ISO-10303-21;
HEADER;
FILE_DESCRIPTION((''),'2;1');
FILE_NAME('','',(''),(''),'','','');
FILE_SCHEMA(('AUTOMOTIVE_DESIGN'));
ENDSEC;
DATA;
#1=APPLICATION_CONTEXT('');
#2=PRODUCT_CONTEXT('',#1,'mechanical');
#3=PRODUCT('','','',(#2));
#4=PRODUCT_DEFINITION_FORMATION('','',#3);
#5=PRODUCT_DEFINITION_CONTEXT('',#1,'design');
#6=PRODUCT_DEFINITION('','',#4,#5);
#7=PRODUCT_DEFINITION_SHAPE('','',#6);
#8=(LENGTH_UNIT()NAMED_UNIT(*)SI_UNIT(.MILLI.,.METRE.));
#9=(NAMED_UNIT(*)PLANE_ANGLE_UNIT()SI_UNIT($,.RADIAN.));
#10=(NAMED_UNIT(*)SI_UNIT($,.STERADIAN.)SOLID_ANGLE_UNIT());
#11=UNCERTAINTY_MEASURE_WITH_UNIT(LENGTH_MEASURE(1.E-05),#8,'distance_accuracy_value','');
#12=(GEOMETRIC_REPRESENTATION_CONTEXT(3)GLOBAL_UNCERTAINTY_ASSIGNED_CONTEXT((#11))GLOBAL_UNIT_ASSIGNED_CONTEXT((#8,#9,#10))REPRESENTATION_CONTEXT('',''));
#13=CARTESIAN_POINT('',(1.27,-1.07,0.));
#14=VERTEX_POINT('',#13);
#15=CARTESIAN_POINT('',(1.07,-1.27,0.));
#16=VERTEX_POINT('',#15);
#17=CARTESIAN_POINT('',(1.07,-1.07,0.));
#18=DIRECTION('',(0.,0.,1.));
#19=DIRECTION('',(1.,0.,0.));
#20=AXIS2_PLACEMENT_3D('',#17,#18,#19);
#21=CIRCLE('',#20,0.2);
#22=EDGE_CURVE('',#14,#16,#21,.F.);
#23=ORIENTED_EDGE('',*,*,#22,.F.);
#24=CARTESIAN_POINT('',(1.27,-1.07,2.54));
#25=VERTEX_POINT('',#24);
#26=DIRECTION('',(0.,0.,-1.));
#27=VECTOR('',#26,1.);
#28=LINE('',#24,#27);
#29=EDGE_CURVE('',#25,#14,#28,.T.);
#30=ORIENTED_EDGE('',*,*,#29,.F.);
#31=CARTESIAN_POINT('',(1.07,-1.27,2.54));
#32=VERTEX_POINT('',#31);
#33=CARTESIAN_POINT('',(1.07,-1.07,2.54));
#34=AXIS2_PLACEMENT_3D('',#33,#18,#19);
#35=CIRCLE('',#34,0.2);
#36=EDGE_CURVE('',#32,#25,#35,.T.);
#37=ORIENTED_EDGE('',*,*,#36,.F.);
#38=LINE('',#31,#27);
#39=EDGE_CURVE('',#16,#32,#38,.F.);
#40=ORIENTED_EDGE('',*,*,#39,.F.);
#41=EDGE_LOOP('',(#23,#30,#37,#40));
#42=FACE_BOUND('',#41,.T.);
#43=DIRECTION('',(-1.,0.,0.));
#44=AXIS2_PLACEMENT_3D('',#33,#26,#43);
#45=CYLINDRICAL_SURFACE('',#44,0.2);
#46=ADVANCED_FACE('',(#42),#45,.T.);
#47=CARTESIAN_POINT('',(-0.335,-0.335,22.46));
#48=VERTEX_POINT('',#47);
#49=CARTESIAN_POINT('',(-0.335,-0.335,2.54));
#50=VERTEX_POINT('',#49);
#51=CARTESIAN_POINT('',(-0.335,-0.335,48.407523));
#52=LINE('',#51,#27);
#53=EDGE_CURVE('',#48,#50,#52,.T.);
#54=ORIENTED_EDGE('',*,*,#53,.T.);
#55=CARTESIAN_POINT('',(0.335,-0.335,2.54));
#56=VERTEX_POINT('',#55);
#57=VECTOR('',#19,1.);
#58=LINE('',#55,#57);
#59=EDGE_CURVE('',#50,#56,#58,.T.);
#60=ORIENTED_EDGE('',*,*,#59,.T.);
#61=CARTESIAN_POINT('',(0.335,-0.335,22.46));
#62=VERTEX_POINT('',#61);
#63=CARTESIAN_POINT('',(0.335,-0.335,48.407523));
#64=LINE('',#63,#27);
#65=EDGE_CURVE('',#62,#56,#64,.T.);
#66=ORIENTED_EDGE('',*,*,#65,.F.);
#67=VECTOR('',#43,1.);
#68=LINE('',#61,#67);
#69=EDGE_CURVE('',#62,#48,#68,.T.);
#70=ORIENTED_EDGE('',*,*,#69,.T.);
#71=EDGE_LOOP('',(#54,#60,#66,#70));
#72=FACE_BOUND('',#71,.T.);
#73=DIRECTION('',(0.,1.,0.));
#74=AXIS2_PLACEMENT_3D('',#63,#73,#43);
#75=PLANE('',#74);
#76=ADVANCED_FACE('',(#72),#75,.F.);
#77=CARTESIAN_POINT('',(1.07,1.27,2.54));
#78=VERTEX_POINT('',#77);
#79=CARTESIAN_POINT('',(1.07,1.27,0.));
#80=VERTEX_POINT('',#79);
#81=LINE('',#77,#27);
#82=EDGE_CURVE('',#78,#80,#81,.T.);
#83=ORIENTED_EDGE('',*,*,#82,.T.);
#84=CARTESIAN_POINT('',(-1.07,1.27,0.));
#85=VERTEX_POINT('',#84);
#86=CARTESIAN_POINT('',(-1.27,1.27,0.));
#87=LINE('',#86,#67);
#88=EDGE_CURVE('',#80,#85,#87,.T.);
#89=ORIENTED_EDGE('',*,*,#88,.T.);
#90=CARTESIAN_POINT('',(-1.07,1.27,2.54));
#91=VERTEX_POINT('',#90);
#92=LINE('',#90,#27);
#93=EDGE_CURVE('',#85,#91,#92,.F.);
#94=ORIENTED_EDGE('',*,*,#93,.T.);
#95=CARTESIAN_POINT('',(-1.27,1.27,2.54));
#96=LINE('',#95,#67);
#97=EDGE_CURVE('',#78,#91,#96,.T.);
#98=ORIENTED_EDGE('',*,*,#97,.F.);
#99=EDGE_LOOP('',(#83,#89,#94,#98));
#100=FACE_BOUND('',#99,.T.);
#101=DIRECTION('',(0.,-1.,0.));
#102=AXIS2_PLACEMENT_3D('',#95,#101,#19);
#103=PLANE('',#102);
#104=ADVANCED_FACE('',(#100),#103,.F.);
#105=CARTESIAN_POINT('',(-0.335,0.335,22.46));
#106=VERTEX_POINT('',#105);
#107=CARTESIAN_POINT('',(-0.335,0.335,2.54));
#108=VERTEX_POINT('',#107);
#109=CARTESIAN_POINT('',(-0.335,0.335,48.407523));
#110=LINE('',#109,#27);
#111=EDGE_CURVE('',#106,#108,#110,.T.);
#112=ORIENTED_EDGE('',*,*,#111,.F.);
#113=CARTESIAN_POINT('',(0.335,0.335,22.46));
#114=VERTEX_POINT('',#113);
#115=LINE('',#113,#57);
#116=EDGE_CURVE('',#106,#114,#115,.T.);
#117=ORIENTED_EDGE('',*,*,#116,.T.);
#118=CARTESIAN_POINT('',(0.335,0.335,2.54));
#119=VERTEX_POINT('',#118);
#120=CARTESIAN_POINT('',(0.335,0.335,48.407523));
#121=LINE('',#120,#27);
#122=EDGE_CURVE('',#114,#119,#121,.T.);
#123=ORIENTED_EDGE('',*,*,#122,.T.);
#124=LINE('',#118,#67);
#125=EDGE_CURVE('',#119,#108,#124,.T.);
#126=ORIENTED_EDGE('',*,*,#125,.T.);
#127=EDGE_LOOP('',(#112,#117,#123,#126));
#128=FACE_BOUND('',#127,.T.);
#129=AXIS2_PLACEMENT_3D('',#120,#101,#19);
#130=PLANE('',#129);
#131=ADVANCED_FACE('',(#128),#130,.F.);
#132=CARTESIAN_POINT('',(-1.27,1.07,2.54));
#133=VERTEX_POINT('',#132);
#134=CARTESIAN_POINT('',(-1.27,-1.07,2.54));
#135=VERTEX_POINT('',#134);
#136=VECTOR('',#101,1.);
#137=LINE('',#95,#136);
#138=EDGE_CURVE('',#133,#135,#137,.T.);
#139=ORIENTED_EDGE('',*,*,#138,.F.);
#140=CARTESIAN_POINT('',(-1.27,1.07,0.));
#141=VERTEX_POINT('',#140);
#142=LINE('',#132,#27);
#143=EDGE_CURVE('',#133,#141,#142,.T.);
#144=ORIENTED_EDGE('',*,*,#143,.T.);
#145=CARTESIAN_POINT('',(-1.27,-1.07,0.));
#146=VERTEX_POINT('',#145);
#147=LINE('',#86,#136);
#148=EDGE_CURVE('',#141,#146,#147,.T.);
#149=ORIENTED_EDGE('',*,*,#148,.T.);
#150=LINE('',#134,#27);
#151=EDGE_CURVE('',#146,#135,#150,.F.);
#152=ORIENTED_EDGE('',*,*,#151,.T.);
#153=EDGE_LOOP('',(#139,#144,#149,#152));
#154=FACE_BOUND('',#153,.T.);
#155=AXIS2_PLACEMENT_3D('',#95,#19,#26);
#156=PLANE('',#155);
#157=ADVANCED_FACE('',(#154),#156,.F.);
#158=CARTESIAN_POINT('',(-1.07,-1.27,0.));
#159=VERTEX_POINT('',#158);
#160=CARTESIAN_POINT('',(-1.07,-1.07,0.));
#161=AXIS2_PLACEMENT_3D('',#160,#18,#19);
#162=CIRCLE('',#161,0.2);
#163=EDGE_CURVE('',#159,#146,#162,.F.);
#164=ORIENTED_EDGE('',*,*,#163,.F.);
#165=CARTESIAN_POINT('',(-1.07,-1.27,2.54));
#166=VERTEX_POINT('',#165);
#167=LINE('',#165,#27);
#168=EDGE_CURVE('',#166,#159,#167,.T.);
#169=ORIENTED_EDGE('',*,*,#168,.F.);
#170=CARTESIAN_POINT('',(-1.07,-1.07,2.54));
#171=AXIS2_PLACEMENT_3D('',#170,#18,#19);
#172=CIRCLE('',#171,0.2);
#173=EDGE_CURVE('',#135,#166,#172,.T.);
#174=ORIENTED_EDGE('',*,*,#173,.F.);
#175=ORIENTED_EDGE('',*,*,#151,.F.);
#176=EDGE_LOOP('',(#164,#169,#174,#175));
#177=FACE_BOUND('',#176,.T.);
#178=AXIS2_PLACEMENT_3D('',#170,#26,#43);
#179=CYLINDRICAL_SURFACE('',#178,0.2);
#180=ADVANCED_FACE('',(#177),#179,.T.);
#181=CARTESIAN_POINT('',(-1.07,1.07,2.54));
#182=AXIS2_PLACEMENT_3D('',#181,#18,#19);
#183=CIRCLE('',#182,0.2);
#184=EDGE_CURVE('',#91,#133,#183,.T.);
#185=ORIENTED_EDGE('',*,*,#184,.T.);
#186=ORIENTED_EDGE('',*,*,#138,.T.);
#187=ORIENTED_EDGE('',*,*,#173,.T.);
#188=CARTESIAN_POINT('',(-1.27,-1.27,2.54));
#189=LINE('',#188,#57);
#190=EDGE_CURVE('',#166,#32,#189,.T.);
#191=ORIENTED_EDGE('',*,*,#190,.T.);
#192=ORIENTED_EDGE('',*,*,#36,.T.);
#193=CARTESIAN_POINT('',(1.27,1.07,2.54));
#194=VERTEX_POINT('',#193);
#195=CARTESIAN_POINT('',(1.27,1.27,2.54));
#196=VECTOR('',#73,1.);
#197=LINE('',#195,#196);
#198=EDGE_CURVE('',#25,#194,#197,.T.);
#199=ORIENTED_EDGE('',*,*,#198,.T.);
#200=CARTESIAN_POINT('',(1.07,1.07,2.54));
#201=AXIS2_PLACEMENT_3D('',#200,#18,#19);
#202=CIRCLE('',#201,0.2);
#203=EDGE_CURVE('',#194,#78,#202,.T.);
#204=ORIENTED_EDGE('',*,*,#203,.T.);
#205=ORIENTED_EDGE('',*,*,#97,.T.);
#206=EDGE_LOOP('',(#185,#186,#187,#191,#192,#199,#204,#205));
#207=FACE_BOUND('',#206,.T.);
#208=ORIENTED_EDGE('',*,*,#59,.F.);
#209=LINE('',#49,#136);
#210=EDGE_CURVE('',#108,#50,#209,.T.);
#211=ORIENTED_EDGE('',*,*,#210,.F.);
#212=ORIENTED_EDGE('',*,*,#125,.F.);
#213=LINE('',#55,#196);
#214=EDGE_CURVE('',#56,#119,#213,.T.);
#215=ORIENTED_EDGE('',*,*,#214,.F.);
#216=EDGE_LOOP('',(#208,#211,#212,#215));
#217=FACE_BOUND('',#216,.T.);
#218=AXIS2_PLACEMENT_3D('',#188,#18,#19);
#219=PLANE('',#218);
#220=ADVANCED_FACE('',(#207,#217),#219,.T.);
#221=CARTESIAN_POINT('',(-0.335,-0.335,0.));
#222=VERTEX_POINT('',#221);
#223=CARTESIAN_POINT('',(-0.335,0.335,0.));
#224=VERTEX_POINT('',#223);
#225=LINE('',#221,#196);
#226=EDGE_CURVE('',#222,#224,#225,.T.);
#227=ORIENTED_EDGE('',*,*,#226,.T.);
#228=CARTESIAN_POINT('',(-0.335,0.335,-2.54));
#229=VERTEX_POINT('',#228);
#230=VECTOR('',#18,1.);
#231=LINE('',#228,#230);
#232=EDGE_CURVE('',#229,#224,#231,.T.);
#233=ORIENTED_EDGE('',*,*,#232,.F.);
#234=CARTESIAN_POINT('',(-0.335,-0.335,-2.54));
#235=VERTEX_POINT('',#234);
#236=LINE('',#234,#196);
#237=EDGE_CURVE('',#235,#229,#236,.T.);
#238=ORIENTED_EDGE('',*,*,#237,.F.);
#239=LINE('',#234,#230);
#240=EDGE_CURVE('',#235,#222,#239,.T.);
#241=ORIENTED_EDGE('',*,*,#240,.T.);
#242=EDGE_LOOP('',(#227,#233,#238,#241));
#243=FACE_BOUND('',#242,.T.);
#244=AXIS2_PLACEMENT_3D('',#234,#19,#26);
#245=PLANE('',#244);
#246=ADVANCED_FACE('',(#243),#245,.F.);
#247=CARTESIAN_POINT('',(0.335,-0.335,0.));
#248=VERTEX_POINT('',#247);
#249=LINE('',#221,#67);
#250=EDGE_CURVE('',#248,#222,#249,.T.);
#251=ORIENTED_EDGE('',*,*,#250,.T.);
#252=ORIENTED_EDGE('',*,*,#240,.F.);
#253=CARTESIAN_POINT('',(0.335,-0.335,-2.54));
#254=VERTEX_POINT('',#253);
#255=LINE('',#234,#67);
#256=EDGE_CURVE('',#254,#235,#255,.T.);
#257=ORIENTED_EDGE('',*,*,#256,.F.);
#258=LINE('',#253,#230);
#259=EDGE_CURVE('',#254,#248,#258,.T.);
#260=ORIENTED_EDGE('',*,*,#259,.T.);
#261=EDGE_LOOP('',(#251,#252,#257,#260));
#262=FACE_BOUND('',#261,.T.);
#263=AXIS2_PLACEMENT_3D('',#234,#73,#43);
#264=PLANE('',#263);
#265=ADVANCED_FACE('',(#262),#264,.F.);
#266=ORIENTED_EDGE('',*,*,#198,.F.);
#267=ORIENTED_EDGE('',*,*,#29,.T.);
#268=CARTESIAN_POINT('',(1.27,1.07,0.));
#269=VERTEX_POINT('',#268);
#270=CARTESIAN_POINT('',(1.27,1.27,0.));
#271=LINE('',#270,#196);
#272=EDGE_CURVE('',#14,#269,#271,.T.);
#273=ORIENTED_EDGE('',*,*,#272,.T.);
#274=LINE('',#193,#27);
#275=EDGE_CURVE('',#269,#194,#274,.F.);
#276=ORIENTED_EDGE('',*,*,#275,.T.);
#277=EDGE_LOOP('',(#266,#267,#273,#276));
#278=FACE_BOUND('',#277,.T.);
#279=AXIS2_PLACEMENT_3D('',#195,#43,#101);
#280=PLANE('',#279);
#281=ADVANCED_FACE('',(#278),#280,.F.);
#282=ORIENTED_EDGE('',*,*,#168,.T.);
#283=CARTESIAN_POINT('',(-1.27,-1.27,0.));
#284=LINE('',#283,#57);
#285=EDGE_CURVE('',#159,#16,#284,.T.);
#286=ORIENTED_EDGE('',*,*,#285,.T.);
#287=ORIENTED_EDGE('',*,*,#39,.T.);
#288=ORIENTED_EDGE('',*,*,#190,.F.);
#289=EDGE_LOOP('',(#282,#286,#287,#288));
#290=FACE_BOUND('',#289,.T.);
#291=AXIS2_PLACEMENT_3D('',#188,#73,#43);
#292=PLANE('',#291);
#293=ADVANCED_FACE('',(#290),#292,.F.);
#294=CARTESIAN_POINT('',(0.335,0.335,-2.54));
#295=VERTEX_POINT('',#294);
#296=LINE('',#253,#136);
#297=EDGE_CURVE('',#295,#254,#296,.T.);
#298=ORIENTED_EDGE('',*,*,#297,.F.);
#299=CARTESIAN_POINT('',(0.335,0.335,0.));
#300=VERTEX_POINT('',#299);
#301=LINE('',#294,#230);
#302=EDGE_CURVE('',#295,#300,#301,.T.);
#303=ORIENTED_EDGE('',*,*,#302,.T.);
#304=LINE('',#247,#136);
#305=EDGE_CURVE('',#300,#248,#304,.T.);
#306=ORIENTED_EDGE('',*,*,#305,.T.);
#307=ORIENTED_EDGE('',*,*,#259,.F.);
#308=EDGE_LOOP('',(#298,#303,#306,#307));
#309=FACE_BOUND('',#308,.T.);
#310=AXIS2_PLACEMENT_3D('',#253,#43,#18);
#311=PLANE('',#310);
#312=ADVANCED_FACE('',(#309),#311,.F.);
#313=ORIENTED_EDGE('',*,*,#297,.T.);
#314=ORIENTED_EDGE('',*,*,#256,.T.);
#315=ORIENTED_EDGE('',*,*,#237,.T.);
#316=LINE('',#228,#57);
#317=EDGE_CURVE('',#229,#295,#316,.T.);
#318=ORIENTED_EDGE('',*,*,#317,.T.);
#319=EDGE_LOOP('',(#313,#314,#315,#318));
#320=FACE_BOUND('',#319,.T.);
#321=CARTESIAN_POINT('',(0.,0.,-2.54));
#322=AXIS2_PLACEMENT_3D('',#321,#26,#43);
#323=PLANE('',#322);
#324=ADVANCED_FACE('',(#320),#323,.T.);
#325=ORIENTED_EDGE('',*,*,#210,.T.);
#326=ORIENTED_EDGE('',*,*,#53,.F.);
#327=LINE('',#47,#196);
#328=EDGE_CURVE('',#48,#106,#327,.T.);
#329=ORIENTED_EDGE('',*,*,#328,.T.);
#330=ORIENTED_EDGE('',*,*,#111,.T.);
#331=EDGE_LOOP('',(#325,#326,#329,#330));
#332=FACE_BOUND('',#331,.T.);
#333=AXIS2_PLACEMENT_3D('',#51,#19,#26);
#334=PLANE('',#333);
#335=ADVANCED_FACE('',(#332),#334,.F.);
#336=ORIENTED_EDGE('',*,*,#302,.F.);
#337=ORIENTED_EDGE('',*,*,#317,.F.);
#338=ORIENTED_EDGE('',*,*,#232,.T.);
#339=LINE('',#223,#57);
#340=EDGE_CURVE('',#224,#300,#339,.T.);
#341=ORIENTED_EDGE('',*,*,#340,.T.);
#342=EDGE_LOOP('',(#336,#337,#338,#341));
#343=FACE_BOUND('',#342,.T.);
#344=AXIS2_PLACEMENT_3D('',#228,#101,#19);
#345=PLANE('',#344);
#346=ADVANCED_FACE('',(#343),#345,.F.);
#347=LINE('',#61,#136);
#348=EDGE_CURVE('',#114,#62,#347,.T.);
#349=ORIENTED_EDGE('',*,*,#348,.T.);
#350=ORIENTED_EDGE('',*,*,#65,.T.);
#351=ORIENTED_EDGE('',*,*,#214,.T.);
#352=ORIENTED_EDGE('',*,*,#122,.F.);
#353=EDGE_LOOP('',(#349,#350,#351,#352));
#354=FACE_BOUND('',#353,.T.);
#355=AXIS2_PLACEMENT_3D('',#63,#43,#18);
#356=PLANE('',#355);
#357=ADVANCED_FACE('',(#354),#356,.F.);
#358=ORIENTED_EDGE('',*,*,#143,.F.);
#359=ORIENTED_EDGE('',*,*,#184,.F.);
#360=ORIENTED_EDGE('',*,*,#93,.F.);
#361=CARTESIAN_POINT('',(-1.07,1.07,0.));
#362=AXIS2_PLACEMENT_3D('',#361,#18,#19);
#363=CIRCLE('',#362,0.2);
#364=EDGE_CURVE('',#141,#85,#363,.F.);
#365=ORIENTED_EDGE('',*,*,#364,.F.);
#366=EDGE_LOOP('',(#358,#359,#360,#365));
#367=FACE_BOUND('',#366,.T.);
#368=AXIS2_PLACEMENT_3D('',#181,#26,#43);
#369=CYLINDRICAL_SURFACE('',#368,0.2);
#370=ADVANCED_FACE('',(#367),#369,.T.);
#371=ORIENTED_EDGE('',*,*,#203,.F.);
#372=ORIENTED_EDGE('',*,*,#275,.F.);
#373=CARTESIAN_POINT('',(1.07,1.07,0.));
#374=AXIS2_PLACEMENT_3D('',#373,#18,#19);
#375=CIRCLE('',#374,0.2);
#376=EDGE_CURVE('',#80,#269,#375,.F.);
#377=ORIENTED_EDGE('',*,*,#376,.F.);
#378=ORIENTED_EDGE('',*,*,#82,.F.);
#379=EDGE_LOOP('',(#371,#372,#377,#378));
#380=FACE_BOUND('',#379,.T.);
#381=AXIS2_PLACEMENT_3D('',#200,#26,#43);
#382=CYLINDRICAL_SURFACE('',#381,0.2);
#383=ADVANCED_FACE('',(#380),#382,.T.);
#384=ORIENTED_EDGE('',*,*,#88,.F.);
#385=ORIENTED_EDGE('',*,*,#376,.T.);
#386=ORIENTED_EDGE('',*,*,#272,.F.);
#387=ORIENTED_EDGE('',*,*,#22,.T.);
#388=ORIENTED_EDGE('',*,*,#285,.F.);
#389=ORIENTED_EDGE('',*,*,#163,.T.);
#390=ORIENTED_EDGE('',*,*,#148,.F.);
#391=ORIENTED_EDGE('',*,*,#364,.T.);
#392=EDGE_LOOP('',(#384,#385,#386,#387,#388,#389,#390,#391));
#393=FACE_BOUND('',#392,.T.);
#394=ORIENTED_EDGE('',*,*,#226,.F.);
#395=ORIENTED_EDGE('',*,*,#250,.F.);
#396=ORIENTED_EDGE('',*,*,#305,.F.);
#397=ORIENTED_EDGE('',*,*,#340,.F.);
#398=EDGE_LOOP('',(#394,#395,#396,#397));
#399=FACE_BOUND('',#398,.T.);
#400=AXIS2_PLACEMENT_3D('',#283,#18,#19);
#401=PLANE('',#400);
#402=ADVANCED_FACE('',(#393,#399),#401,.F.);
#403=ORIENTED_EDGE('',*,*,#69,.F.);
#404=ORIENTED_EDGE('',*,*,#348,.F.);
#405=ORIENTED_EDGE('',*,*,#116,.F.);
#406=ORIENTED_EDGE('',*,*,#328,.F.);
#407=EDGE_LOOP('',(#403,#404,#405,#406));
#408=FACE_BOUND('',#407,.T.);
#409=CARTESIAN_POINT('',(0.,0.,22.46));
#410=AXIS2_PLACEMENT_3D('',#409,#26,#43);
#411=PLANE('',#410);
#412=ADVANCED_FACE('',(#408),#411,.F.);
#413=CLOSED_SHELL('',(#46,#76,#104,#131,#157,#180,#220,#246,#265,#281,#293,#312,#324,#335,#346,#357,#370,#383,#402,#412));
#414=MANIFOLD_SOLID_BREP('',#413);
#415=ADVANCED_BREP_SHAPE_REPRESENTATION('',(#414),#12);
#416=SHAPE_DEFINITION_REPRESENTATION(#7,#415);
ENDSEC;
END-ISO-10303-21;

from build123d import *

# Parameters (mm, degrees)
SKETCH_1_W        = 2.54
SKETCH_1_H        = 2.54
EXTRUDE_1_DEPTH   = 2.54
SKETCH_2_W        = 0.67
SKETCH_2_H        = 0.67
EXTRUDE_1_2_DEPTH = 2.54
SKETCH_3_W        = 0.67
SKETCH_3_H        = 0.67
EXTRUDE_2_DEPTH   = 19.92
FILLET_1_R        = 0.2


with BuildPart() as part:
    # 草图1 → Extrude 1 (new body)
    with BuildSketch(Plane.XY):
        Rectangle(SKETCH_1_W, SKETCH_1_H)
    extrude(amount=EXTRUDE_1_DEPTH)

    # 草图2 → Extrude 1 2 (add)
    with BuildSketch(Plane(origin=(0, 0, 0), x_dir=(-1, 0, 0), z_dir=(0, 0, -1))):
        Rectangle(SKETCH_2_W, SKETCH_2_H)
    extrude(amount=EXTRUDE_1_2_DEPTH)

    # 草图3 → 凸台-拉伸2 (add)
    with BuildSketch(Plane.XY.offset(2.54)):
        Rectangle(SKETCH_3_W, SKETCH_3_H)
    extrude(amount=EXTRUDE_2_DEPTH)

    # 圆角1
    fillet_1_edges = [part.edges().sort_by_distance(p)[0] for p in [
        (-1.27, 1.27, 1.27),
        (1.27, 1.27, 1.27),
        (1.27, -1.27, 1.27),
        (-1.27, -1.27, 1.27),
    ]]
    fillet(fillet_1_edges, radius=FILLET_1_R)


solid = part.part
